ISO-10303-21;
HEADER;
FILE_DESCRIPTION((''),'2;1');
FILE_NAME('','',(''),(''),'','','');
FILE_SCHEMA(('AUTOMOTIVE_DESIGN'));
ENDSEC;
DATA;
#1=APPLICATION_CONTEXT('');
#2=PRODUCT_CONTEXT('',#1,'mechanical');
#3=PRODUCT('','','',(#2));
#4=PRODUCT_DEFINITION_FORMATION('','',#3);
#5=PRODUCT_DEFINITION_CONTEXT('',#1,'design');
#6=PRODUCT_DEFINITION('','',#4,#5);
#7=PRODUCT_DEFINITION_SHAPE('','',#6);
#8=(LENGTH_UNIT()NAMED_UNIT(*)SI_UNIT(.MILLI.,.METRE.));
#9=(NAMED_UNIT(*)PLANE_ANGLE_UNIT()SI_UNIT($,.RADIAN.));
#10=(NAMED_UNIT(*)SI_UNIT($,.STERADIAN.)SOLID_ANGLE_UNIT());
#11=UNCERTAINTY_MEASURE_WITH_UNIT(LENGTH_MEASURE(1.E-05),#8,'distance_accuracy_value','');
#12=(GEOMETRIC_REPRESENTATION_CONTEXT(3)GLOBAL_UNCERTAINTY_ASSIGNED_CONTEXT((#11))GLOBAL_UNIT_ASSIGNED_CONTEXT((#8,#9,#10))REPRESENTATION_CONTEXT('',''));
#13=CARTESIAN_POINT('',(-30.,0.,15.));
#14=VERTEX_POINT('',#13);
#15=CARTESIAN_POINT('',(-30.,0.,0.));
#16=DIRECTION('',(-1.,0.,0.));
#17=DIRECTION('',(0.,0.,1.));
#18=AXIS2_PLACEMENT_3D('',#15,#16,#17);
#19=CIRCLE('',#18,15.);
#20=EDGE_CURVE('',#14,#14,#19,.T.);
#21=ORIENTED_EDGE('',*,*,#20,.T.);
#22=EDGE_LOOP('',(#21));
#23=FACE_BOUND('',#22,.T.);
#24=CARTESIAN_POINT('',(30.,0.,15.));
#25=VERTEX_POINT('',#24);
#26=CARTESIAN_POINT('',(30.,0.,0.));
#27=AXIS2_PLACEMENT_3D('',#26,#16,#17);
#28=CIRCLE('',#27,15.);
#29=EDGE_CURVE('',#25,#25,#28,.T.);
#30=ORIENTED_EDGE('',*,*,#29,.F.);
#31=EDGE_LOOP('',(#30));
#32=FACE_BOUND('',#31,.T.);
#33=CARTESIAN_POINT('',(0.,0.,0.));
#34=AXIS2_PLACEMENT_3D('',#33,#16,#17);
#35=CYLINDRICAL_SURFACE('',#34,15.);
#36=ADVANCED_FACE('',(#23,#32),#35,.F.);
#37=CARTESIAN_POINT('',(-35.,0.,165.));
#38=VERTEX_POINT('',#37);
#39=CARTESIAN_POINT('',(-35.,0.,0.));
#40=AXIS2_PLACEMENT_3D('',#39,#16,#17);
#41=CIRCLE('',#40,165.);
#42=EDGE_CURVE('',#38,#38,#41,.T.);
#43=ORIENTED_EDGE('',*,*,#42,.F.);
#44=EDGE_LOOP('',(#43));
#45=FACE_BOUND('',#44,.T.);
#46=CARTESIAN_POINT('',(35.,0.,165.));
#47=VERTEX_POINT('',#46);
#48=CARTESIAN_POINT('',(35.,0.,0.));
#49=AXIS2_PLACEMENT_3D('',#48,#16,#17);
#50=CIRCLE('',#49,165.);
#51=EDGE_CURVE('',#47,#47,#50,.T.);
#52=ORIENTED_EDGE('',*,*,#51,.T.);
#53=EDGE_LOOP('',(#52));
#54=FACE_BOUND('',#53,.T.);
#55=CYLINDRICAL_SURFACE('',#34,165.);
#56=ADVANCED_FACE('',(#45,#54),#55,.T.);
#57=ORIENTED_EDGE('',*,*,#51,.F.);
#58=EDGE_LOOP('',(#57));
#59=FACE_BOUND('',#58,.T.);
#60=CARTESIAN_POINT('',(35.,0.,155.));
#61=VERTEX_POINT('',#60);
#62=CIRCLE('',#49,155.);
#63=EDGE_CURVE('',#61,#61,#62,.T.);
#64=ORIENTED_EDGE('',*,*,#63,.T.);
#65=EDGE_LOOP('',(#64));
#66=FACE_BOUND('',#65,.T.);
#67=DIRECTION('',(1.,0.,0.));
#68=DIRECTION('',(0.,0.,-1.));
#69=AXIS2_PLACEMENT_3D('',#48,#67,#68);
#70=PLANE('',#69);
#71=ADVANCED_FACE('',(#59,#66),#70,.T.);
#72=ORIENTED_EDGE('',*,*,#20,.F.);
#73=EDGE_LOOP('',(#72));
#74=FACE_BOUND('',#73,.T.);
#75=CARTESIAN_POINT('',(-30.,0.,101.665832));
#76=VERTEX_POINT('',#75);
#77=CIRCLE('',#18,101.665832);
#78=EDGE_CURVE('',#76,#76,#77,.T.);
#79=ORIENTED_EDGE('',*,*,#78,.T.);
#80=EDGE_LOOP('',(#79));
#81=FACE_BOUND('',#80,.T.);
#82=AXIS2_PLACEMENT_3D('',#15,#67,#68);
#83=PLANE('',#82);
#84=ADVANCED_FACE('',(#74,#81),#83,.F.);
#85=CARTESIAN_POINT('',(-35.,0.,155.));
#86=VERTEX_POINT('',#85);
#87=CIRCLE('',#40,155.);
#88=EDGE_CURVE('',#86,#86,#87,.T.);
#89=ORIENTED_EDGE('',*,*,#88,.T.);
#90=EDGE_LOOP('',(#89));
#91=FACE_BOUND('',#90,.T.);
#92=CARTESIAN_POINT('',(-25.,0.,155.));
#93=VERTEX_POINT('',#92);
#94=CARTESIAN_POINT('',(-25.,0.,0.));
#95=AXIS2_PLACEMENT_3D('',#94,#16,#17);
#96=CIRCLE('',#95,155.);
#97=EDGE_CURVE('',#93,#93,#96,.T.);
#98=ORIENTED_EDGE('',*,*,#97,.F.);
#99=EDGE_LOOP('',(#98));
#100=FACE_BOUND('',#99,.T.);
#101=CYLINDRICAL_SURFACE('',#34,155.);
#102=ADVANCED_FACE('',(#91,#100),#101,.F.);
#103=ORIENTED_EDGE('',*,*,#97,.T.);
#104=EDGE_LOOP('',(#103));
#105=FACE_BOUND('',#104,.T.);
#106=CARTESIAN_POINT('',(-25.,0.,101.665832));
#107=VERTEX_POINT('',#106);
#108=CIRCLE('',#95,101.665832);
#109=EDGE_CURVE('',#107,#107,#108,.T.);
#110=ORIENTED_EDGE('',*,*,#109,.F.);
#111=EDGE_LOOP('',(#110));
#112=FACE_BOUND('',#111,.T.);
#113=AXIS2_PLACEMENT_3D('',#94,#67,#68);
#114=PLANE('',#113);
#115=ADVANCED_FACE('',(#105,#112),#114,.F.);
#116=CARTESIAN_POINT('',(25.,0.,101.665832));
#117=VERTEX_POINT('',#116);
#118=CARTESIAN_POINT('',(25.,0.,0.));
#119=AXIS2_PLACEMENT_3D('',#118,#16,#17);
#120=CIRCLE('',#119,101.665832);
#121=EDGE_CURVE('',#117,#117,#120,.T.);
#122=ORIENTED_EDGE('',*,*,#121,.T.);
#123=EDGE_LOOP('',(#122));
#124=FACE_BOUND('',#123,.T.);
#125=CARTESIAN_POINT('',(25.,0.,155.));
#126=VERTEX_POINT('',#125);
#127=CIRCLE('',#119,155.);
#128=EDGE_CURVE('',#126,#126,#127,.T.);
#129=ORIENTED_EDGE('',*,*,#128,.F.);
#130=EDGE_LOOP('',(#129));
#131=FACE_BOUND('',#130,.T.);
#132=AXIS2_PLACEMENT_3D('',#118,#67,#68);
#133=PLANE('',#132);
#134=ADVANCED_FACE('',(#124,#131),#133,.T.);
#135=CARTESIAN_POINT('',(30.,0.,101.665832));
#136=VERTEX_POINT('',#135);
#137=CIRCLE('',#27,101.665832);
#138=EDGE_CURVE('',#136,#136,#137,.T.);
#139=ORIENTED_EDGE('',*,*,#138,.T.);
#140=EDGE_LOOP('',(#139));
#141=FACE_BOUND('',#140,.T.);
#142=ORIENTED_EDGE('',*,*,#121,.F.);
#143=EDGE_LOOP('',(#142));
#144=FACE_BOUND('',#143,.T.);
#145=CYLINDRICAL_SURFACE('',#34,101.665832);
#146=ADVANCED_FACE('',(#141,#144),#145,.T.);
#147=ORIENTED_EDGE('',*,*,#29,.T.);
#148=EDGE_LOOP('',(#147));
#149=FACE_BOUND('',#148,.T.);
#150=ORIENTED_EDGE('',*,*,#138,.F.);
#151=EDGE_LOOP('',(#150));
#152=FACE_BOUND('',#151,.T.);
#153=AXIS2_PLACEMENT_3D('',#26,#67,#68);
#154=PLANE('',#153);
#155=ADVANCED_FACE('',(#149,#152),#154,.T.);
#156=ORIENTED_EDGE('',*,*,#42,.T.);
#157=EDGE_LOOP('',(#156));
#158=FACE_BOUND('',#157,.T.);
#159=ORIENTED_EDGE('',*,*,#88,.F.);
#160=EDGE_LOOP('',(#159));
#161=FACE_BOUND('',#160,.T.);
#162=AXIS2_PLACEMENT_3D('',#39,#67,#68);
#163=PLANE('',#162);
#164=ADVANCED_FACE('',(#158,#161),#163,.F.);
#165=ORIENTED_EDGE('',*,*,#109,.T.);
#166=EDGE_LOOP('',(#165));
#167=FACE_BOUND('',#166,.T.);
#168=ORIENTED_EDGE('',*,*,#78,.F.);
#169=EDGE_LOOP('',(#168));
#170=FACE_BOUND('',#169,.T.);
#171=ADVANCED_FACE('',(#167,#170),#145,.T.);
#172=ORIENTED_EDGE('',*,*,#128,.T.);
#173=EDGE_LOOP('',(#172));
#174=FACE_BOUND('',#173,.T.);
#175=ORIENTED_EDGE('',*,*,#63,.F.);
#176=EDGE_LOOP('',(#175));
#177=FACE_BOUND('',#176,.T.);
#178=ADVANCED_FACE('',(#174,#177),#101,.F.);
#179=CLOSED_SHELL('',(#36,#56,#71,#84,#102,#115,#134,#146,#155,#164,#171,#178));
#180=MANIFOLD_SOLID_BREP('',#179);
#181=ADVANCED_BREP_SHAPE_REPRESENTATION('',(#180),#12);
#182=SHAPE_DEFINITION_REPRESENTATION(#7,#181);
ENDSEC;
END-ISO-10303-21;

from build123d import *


with BuildPart() as part:
    # Sketch3 → Revolve1 (revolve)
    with BuildSketch(Plane.XY, mode=Mode.PRIVATE) as revolve1_sk:
        Polygon((-25, 15), (0, 15), (0, 165), (-35, 165), (-35, 155), (-25, 155), (-25, 101.665831819), (-30, 101.665831819), (-30, 15), align=None)
        Polygon((0, 165), (0, 15), (25, 15), (30, 15), (30, 101.665831819), (25, 101.665831819), (25, 155), (35, 155), (35, 165), align=None)
    revolve(revolve1_sk.sketch.rotate(Axis((0, 0, 0), (1, 0, 0)), 90), axis=Axis((0, 0, 0), (1, 0, 0)))


solid = part.part
